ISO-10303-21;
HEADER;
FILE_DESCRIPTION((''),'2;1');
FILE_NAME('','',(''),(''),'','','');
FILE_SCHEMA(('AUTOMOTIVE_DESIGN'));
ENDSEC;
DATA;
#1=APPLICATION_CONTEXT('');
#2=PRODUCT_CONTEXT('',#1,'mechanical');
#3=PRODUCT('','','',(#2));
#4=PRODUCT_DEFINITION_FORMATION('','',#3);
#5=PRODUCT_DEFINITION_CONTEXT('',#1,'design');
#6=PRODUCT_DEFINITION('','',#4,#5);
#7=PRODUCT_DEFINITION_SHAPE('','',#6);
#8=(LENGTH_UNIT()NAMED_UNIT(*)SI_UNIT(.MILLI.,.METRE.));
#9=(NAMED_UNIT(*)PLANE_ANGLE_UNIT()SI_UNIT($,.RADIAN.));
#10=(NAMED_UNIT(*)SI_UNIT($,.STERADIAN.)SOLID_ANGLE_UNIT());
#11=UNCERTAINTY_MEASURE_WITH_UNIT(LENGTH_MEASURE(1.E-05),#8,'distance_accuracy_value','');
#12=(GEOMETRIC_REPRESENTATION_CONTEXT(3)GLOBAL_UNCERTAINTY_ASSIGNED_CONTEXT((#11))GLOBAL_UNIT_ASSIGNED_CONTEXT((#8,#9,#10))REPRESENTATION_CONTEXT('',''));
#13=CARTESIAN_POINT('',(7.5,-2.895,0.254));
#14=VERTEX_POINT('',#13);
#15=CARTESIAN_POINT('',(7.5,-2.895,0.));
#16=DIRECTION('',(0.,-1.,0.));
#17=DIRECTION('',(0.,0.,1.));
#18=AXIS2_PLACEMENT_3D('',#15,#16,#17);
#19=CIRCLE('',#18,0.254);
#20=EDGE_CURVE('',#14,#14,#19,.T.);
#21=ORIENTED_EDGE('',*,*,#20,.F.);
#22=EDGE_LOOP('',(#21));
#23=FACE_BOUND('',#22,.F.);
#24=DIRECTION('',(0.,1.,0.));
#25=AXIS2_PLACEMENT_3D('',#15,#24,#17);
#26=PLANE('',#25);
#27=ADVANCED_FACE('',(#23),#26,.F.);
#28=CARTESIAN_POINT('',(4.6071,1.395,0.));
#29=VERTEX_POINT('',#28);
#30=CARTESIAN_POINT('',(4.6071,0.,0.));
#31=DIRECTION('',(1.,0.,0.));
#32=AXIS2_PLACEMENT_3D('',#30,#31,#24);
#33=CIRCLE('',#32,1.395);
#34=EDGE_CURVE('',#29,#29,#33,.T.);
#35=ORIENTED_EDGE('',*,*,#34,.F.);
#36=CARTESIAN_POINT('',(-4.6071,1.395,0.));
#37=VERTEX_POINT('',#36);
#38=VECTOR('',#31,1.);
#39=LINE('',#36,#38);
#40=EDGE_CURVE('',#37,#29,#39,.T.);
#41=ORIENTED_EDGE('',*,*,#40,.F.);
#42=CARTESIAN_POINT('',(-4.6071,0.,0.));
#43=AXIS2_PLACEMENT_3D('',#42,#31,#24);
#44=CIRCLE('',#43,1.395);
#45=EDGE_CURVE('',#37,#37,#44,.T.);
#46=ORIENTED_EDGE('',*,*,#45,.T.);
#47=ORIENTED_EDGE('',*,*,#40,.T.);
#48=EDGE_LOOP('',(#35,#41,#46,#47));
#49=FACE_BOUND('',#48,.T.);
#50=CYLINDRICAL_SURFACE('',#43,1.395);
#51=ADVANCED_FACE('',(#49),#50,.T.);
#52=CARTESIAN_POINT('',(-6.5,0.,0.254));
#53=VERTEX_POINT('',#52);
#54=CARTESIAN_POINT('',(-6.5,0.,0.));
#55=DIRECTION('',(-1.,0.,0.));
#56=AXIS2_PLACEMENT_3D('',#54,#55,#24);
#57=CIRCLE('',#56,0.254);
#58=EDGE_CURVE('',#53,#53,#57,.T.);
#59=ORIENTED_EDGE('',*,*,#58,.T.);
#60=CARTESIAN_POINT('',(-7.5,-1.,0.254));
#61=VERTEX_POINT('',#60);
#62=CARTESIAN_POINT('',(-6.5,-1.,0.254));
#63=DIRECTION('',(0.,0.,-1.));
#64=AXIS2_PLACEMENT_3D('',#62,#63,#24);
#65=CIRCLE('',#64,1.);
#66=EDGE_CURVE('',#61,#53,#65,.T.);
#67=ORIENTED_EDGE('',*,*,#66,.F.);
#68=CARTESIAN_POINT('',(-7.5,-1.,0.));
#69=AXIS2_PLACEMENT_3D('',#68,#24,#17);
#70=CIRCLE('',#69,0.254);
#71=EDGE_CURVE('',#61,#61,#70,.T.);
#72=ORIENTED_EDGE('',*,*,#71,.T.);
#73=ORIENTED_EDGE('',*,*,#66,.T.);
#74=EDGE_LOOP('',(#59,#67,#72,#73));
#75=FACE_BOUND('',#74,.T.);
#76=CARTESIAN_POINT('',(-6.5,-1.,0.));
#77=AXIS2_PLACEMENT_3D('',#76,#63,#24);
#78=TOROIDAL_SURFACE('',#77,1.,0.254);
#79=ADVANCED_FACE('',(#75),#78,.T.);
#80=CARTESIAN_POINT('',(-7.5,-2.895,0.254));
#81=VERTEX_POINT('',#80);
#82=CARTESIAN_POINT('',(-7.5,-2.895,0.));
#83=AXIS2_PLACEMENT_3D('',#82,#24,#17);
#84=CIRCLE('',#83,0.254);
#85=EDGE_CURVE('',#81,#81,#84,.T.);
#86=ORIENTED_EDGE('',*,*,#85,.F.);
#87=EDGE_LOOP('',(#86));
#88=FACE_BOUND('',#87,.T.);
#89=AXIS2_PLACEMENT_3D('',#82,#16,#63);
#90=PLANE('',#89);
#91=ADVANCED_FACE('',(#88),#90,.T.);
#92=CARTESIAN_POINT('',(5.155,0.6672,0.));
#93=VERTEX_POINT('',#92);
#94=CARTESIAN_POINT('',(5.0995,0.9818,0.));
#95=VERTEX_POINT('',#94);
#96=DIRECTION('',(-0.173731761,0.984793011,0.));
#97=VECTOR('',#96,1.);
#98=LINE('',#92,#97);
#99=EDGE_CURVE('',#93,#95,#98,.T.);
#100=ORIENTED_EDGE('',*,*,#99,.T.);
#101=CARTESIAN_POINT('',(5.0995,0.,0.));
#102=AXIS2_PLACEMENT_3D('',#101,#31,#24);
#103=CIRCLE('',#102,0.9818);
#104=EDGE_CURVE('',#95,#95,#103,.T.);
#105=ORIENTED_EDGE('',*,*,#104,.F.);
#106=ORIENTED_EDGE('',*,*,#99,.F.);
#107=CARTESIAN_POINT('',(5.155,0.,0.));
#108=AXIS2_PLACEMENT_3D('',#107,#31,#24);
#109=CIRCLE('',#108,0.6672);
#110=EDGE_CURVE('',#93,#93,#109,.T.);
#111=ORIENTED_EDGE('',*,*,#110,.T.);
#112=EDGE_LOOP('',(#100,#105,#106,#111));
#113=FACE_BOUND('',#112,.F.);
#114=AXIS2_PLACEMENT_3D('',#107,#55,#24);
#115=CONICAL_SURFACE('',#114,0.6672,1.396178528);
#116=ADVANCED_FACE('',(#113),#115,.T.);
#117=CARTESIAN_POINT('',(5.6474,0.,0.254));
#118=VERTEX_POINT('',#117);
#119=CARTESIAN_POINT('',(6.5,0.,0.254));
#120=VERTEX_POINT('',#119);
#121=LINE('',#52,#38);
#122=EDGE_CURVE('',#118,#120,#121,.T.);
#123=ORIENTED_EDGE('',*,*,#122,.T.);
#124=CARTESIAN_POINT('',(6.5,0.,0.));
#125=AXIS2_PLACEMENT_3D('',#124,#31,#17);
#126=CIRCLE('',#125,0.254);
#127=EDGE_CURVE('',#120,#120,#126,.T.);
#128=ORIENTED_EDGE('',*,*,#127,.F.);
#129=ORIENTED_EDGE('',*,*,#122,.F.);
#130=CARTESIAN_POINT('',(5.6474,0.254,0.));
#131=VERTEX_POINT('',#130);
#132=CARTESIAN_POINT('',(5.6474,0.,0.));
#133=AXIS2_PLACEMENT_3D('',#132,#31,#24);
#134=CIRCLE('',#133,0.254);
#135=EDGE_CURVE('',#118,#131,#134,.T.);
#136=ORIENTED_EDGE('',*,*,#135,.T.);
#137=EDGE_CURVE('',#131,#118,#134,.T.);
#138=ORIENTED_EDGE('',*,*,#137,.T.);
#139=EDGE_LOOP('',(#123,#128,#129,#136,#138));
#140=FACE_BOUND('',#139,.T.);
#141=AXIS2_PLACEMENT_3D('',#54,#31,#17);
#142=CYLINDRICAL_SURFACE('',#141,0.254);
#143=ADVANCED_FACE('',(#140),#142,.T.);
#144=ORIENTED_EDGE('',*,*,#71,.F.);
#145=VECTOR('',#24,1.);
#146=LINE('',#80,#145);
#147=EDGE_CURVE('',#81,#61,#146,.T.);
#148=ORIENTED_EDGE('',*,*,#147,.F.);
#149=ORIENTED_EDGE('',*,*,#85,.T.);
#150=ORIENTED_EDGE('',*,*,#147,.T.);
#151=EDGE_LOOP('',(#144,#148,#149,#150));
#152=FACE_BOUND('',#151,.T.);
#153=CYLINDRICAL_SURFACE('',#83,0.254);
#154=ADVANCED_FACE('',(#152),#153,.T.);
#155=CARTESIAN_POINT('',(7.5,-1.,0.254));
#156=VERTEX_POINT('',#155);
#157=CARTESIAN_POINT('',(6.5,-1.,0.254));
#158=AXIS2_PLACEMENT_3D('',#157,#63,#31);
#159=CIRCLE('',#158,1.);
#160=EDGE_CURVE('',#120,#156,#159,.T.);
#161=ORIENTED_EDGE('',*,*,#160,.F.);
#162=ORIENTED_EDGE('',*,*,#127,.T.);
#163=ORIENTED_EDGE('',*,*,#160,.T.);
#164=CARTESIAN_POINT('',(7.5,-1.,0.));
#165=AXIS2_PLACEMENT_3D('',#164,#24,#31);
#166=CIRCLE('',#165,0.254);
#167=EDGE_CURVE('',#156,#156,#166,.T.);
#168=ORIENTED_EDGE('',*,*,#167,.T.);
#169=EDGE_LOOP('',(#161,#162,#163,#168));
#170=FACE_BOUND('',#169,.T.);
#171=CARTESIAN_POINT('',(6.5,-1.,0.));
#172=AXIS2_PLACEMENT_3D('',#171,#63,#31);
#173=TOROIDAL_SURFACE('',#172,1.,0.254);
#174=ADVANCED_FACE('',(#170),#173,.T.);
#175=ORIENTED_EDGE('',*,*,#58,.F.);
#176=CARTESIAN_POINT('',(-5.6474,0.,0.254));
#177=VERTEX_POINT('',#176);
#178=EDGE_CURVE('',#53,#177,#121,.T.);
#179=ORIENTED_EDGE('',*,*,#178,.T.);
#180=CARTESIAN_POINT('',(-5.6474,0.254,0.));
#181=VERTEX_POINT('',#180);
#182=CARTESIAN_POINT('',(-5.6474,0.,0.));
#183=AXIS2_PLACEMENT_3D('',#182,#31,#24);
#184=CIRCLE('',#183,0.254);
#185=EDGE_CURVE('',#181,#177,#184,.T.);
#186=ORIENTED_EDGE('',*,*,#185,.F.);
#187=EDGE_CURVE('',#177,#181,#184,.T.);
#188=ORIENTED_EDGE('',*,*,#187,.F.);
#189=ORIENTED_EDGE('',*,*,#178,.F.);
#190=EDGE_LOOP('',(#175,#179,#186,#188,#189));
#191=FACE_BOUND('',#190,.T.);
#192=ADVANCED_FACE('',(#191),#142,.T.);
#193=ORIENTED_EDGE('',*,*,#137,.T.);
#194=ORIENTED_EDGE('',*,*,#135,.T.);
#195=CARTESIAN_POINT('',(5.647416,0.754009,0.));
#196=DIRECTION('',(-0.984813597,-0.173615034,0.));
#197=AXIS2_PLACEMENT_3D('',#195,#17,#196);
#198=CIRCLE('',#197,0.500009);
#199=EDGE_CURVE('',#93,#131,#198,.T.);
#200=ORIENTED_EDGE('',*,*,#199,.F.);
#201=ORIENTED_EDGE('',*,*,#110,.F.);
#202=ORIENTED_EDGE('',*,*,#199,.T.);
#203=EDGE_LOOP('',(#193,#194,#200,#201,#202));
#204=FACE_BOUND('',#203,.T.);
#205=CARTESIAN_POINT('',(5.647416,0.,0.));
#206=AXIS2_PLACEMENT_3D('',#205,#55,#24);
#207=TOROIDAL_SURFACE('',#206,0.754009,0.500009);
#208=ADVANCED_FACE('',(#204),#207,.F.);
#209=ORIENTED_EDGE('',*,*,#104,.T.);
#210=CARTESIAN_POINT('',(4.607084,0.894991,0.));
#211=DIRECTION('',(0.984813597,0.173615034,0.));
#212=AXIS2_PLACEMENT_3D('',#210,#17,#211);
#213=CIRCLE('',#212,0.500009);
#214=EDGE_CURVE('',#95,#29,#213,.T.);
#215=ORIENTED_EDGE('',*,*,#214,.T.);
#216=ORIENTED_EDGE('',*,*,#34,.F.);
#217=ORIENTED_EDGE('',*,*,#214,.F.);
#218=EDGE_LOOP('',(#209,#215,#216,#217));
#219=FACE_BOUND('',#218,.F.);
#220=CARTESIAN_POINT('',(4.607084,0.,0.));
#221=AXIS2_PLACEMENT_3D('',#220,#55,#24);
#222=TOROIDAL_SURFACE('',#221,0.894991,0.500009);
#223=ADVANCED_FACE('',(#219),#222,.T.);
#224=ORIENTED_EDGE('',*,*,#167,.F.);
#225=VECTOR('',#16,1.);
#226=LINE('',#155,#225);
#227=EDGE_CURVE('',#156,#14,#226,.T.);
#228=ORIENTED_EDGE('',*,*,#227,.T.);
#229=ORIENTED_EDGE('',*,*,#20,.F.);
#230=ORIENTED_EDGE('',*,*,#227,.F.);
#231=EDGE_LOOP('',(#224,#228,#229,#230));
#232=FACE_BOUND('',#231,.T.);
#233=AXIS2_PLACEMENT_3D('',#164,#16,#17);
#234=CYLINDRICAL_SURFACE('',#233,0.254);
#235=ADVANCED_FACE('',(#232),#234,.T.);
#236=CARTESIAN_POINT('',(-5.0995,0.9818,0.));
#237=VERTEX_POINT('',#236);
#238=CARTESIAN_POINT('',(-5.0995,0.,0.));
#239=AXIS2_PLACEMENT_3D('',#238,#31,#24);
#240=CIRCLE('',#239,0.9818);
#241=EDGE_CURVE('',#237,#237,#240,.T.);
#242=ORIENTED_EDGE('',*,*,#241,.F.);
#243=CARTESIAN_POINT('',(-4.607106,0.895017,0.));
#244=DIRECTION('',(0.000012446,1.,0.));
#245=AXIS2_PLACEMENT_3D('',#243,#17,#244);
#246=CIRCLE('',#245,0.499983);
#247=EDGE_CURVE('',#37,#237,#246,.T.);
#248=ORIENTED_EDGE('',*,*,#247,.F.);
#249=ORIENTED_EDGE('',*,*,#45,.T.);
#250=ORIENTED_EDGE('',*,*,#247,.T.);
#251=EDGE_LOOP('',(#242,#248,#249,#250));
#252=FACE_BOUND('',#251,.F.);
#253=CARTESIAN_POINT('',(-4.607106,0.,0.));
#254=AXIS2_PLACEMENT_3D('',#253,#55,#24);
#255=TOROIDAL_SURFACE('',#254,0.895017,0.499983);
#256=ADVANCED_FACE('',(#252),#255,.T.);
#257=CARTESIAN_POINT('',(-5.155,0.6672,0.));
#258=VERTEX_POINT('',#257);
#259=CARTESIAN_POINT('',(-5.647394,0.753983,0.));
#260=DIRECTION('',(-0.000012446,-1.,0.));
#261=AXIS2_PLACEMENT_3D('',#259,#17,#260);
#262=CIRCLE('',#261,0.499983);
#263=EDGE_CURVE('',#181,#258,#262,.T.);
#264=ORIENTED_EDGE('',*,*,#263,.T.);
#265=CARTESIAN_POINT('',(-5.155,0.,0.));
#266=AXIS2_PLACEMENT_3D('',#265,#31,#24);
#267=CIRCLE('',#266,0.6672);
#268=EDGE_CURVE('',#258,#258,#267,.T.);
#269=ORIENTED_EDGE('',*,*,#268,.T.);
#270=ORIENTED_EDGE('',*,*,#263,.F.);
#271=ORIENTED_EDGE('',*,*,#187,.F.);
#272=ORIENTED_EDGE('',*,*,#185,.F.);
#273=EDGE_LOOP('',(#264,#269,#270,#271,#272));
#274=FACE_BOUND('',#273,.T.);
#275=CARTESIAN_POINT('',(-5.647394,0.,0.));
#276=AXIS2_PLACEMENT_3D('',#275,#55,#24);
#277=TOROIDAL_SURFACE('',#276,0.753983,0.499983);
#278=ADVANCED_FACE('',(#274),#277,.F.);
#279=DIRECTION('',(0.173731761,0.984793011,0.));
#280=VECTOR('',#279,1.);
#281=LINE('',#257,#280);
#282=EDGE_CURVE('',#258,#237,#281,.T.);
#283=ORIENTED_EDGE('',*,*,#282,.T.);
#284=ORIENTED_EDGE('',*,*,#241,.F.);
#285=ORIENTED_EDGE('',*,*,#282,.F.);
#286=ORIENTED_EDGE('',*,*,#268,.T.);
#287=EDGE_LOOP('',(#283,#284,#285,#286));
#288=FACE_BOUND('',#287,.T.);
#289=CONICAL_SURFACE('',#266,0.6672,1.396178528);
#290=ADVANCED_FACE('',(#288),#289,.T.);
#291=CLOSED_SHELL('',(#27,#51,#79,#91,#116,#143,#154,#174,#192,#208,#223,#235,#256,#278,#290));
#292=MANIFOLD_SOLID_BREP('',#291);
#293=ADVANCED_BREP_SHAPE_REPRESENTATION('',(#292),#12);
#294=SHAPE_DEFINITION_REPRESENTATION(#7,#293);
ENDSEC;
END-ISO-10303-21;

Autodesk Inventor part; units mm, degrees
ref_plane "YZ Plane" through (0, 0, 0) normal (1, 0, 0) x (0, 1, 0)
ref_plane "XZ Plane" through (0, 0, 0) normal (0, 1, 0) x (-1, 0, 0)
ref_plane "XY Plane" through (0, 0, 0) normal (0, 0, 1) x (1, 0, 0)
sketch "Sketch1" plane through (0, 0, 0) normal (0, 0, 1) x (1, 0, 0)
  line L0 (-5.6474, 0) -> (5.6474, 0)
  line L1 (5.6474, 0) -> (5.6474, 0.254)
  arc A0 (5.155, 0.6672) -> (5.6474, 0.254) centre (5.6474, 0.754) ccw
  line L2 (5.155, 0.6672) -> (5.0995, 0.9818)
  arc A1 (5.0995, 0.9818) -> (4.6071, 1.395) centre (4.6071, 0.895) ccw
  line L3 (-5.6474, 0) -> (-5.6474, 0.254)
  arc A2 (-5.6474, 0.254) -> (-5.155, 0.6672) centre (-5.6474, 0.754) ccw
  line L4 (-5.155, 0.6672) -> (-5.0995, 0.9818)
  arc A3 (-4.6071, 1.395) -> (-5.0995, 0.9818) centre (-4.6071, 0.895) ccw
  line L5 (-4.6071, 1.395) -> (4.6071, 1.395)
  point P0 (0, 0)
  point P1 (0, 0)
  dimension "d0" = 2.79
  dimension "d1" = 0.508
  dimension "d2" = 10.31
  dimension "d3" = 0.5
  dimension "d6" = 0.5
  dimension "d7" = 80
revolve "Revolution1" add sketch "Sketch1" angle 360 about axis through (-5.6474, 0, 0) along (1, 0, 0)
sketch "Sketch2" plane through (0, 0, 0) normal (0, 0, 1) x (1, 0, 0)
  line L0 (-5.6474, -0.254) -> (-5.6474, 0.254) projected
  line L1 (5.6474, -0.254) -> (5.6474, 0.254) projected
  line L2 (-7.5, -2.895) -> (-7.5, -1)
  arc A0 (-6.5, 0) -> (-7.5, -1) centre (-6.5, -1) ccw
  line L3 (-6.5, 0) -> (6.5, 0)
  arc A1 (7.5, -1) -> (6.5, 0) centre (6.5, -1) ccw
  line L4 (7.5, -1) -> (7.5, -2.895)
  arc A2 (-5.0995, -0.9818) -> (-4.6071, -1.395) centre (-4.6071, -0.895) ccw projected
  point P0 (0, 0)
  point P1 (0, 0)
  point P2 (-4.6071, -1.395)
  dimension "d9" = 1
  dimension "d10" = 0.8526
  dimension "d11" = 15
  dimension "d12" = 2.895
  dimension "d13" = 1.5
sketch "Sketch3" plane through (-5.6474, 0, 0) normal (-1, 0, 0) x (0, 0, 1)
  circle A0 centre (0, 0) radius 0.254 projected
sweep "Sweep1" add profiles "Sketch3" path "Sketch2" path curves L2 A0 L3 A1 L4
properties part number "Resistor_TH-15mm" material "Copper"
